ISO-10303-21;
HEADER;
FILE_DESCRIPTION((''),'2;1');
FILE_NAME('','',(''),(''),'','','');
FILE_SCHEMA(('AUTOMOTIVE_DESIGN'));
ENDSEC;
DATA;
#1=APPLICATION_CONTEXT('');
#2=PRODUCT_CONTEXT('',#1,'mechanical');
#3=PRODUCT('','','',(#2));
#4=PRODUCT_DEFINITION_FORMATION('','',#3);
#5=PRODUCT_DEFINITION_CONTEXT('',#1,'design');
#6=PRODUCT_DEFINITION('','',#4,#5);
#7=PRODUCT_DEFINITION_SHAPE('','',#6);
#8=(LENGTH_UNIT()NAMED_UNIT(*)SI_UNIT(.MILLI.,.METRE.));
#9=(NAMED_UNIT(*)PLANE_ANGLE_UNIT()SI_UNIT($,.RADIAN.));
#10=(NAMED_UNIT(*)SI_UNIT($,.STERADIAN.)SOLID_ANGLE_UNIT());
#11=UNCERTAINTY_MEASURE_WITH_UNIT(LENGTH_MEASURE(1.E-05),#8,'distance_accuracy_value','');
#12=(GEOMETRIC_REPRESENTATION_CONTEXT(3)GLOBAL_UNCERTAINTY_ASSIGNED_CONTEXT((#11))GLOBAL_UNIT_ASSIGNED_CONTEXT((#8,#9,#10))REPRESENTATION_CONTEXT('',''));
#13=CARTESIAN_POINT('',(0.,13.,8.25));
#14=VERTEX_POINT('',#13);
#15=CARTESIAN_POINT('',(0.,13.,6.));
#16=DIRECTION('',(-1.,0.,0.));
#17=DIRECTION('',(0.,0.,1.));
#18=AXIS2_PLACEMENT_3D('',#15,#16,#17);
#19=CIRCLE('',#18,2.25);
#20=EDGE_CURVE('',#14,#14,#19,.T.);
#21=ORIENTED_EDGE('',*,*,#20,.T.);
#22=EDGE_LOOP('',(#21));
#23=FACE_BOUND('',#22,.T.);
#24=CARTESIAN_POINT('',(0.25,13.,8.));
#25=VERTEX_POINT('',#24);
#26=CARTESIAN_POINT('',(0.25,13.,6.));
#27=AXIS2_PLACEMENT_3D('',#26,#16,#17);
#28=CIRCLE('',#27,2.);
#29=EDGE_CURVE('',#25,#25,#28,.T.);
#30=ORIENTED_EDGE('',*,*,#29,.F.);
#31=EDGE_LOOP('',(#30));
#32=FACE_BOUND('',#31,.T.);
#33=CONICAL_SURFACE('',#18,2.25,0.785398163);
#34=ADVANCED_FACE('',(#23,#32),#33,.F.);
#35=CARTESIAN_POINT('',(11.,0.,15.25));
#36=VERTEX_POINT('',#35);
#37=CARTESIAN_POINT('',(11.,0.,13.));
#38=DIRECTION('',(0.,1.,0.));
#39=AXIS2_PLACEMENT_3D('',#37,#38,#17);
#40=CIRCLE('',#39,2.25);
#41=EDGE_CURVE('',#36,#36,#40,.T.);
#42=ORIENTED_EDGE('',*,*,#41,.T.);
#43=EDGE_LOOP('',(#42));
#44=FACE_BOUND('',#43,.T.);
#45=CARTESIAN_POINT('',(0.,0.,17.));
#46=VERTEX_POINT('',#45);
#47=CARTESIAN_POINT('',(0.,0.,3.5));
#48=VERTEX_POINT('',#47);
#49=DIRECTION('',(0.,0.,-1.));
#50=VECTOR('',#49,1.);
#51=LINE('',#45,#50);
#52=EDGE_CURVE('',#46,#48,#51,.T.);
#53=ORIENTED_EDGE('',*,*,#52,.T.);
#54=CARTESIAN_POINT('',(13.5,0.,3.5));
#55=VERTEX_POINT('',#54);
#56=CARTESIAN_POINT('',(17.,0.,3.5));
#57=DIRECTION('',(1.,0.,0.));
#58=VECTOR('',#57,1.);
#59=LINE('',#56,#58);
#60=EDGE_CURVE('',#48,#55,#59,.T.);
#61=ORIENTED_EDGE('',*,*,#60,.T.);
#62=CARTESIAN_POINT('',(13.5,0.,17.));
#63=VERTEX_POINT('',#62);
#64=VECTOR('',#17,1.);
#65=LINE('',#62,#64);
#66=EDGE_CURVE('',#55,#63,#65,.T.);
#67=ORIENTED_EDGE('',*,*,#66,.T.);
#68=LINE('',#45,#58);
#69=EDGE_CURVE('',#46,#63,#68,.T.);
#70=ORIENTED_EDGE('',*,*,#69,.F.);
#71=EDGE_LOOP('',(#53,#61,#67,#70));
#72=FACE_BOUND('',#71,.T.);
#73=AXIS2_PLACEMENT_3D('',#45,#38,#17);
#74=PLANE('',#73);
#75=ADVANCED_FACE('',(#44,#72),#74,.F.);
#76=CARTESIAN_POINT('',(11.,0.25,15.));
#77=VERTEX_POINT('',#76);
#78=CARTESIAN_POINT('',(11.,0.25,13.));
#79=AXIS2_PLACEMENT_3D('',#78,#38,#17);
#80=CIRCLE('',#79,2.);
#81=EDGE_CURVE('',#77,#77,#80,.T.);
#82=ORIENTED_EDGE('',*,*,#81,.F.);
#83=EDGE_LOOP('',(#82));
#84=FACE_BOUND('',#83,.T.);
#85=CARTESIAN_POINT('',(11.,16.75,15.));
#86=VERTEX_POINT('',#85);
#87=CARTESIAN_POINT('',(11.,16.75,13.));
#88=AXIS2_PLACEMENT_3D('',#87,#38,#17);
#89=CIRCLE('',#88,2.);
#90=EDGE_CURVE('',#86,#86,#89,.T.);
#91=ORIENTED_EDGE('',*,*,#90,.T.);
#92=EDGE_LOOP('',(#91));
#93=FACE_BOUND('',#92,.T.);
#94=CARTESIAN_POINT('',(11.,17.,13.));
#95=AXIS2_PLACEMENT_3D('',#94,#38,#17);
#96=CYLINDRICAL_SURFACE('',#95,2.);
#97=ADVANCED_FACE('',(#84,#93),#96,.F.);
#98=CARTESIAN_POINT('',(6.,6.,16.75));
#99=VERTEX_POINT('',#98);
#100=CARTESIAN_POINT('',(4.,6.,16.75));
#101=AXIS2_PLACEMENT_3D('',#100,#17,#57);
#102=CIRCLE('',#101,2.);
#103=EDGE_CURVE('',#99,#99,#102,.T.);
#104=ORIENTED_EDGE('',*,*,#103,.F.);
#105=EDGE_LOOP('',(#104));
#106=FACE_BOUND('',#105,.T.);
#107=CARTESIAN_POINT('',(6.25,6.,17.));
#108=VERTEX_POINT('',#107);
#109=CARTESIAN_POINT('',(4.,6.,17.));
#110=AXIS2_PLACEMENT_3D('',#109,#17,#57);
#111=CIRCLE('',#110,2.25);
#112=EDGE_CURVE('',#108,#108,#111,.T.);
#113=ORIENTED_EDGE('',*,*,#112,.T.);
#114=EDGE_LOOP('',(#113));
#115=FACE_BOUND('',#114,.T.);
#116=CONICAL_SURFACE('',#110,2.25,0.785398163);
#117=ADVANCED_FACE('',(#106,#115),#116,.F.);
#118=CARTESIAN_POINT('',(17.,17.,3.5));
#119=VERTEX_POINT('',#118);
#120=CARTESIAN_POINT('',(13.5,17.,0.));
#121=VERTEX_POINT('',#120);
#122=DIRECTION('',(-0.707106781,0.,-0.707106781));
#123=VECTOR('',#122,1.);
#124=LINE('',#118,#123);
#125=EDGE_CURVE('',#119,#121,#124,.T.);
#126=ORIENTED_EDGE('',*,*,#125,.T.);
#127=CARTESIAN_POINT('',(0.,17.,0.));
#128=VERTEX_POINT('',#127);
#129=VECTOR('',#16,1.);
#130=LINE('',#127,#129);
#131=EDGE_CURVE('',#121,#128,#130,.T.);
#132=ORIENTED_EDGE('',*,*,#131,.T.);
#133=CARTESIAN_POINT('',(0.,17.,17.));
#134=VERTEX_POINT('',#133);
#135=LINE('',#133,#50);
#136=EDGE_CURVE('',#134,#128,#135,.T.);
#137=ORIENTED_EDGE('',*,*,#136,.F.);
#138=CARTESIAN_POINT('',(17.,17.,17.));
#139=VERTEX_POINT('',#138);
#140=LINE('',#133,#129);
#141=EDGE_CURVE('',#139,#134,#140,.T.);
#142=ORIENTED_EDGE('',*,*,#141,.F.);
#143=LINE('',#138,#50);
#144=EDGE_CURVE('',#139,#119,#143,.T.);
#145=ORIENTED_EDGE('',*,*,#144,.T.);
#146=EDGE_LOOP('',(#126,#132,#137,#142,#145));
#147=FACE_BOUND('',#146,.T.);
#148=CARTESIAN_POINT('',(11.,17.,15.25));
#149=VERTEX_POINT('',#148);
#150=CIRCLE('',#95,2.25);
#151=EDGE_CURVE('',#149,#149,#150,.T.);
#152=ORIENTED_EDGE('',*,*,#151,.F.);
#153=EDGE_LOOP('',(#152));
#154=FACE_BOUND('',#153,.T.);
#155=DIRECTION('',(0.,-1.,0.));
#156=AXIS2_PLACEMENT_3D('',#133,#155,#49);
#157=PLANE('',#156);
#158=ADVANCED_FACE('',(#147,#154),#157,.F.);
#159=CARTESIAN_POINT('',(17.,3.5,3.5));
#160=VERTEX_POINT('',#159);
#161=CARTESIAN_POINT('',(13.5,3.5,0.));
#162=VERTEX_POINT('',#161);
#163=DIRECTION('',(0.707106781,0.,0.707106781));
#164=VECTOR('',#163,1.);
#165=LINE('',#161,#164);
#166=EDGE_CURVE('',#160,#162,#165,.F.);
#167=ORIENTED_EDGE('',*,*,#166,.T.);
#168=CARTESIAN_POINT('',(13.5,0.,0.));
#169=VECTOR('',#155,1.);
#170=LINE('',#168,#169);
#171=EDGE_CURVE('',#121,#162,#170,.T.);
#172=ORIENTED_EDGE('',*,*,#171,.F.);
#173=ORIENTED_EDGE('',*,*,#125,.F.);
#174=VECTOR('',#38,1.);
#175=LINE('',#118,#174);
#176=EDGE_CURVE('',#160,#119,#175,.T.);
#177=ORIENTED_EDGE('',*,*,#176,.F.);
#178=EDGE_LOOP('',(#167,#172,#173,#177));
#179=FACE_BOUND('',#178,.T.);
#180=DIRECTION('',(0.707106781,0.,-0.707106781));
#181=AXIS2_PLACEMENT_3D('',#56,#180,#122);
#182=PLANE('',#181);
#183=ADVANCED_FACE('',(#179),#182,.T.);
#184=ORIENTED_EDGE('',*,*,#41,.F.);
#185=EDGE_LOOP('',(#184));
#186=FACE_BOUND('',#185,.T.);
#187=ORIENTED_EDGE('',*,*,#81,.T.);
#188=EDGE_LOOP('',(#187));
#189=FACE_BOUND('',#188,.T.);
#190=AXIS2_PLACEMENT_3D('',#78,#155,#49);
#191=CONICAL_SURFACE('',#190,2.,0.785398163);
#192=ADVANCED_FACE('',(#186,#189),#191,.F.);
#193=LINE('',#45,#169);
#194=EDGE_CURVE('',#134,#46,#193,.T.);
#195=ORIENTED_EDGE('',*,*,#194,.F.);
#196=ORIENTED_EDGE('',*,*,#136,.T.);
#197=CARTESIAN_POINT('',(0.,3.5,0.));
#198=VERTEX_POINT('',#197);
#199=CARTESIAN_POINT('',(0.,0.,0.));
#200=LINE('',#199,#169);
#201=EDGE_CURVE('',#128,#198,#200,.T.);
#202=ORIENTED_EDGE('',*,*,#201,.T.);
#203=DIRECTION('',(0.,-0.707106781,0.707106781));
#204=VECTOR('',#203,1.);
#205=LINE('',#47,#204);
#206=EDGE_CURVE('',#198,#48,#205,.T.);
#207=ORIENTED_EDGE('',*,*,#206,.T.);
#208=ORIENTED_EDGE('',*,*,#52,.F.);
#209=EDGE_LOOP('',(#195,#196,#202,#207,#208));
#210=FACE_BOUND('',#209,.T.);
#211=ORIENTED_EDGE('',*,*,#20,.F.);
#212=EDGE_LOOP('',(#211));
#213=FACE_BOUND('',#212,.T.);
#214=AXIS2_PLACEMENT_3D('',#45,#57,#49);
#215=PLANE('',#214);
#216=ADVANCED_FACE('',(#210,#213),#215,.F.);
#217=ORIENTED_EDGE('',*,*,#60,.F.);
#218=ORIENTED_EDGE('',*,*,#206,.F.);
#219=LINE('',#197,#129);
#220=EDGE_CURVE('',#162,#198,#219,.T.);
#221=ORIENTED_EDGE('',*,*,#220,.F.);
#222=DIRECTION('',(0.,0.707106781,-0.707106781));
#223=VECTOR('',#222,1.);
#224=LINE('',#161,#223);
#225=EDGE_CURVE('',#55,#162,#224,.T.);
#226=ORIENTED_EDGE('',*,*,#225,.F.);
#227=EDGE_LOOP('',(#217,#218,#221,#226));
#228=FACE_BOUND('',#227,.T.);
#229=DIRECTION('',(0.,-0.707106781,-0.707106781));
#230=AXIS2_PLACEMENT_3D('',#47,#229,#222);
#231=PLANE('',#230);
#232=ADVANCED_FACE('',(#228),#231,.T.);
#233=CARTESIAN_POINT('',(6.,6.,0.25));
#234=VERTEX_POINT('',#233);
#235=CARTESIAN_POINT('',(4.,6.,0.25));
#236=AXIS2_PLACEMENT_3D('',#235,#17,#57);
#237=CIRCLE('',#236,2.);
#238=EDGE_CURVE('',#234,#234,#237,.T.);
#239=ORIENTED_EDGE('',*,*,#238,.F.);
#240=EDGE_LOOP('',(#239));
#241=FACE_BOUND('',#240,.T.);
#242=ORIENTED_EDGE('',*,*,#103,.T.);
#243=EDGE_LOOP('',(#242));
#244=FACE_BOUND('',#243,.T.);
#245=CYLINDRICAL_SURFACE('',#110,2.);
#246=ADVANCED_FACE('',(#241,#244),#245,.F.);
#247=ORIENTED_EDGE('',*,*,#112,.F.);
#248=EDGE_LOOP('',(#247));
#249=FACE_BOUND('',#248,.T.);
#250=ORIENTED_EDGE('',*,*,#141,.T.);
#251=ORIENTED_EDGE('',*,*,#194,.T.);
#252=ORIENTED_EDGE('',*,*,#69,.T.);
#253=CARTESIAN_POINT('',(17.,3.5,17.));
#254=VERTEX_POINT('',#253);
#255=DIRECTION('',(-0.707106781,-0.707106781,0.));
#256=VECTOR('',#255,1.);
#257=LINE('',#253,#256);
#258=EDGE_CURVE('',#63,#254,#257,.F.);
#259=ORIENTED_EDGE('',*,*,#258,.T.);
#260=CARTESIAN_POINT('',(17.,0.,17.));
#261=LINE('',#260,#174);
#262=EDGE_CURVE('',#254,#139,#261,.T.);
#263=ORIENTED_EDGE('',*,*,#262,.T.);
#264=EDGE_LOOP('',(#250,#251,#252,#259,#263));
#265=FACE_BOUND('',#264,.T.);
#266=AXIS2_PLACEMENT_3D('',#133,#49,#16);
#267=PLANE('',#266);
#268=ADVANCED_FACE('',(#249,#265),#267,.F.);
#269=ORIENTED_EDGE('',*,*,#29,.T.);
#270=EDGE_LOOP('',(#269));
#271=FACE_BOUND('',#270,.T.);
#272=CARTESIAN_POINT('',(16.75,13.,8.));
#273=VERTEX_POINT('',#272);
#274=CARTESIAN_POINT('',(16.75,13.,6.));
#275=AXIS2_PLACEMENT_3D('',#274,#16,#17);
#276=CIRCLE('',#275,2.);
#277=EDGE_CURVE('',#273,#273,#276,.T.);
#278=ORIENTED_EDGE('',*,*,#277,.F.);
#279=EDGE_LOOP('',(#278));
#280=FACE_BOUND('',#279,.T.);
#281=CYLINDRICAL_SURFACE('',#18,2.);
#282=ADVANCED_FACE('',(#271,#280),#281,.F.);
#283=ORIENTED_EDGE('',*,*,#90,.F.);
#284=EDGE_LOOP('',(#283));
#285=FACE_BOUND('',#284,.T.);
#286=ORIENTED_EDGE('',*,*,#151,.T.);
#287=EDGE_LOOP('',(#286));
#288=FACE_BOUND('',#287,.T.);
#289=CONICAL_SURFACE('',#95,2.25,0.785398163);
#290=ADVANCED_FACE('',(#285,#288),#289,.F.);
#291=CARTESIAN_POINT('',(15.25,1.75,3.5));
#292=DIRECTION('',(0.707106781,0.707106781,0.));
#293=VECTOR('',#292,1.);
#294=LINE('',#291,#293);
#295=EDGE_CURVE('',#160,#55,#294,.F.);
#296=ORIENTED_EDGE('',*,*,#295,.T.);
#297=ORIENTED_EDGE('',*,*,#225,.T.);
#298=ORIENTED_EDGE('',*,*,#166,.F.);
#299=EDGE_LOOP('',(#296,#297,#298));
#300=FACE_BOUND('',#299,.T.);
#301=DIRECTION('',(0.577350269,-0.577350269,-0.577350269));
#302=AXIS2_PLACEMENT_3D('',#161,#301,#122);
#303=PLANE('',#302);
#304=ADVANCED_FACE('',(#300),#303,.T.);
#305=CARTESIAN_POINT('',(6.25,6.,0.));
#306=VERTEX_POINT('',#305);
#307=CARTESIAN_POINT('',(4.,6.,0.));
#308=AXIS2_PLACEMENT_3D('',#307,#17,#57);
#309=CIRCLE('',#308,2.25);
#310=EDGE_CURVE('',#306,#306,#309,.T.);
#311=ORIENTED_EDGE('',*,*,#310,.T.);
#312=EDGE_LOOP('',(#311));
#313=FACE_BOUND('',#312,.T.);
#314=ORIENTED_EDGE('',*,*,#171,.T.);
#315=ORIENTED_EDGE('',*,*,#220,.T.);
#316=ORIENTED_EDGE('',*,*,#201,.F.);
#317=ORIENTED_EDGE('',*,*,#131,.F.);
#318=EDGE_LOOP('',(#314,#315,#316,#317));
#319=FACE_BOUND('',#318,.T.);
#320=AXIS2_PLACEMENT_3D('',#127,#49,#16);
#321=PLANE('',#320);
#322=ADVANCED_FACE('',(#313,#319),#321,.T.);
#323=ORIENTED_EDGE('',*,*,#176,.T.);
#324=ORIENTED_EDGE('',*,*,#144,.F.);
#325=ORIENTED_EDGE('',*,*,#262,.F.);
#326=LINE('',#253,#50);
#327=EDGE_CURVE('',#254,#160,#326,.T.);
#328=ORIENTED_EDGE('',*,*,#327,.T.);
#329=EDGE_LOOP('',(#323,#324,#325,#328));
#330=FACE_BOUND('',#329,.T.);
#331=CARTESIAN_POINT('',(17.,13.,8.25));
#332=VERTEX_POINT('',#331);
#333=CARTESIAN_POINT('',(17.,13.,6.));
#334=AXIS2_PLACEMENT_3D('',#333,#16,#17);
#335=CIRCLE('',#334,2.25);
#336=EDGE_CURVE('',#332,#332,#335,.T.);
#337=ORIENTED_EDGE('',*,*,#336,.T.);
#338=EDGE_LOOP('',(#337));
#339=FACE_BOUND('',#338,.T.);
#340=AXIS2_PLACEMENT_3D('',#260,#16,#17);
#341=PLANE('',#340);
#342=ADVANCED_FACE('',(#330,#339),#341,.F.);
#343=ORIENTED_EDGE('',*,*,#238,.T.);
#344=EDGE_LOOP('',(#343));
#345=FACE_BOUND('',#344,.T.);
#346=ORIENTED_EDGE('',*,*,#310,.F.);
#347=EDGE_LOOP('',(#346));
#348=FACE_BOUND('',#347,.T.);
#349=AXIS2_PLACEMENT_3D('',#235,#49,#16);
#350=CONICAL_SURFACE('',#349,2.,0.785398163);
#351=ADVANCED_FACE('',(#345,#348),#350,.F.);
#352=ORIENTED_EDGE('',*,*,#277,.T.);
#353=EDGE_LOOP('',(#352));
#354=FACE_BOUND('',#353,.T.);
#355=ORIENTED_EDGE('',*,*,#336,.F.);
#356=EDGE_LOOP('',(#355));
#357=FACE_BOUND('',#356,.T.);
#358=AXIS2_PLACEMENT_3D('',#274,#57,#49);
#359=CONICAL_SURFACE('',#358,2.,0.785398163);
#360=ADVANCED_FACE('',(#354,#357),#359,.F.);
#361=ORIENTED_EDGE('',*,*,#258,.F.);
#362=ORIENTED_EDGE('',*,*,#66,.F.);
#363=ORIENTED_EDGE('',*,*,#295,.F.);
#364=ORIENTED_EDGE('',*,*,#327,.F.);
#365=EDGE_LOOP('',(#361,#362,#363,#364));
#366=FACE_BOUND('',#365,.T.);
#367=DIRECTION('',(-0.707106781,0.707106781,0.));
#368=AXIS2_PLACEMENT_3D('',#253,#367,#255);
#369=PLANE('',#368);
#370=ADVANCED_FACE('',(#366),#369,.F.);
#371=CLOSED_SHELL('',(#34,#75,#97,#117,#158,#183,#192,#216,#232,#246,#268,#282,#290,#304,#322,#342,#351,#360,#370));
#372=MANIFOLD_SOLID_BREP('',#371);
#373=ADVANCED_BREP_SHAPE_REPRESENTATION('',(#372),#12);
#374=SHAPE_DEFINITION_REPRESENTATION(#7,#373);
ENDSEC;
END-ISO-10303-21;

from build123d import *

# Parameters (mm, degrees)
SKETCH_1_W      = 17
SKETCH_1_H      = 17
EXTRUDE_1_DEPTH = 17
CHAMFER_1_SIZE  = 3.5


with BuildPart() as part:
    # Эскиз1 → Бобышка-Вытянуть1 (new body)
    with BuildSketch(Plane.XY):
        with Locations((8.5, 8.5)):
            Rectangle(SKETCH_1_W, SKETCH_1_H)
    extrude(amount=EXTRUDE_1_DEPTH)

    # Эскиз2 → Отверстие обработанное метчиком M4x0.71 (revolve, cut)
    with BuildSketch(Plane(origin=(11, 17, 13), x_dir=(0, 0, 1), z_dir=(1, 0, 0))):
        Polygon((0, 0), (0, 17), (2.25, 17), (2, 16.75), (2, 0.25), (2.25, 0), align=None)
    revolve(axis=Axis((11, 23.35, 13), (0, -1, 0)), mode=Mode.SUBTRACT)

    # Эскиз2 at point 2 (carried to point 2, square into its face) → Отверстие обработанное метчиком M4x0.71 at 2 (revolve, cut)
    with BuildSketch(Plane(origin=(4, 6, 17), x_dir=(0, -1, 0), z_dir=(1, 0, 0))):
        Polygon((0, 0), (0, 17), (2.25, 17), (2, 16.75), (2, 0.25), (2.25, 0), align=None)
    revolve(axis=Axis((4, 6, 23.35), (0, 0, -1)), mode=Mode.SUBTRACT)

    # Эскиз2 at point 3 (carried to point 3, square into its face) → Отверстие обработанное метчиком M4x0.71 at 3 (revolve, cut)
    with BuildSketch(Plane(origin=(0, 13, 6), x_dir=(0, 0, 1), z_dir=(0, 1, 0))):
        Polygon((0, 0), (0, 17), (2.25, 17), (2, 16.75), (2, 0.25), (2.25, 0), align=None)
    revolve(axis=Axis((-6.35, 13, 6), (1, 0, 0)), mode=Mode.SUBTRACT)

    # Фаска1
    chamfer_1_edges = [part.edges().sort_by_distance(p)[0] for p in [
        (17, 8.5, 0),
        (8.5, 0, 0),
        (17, 0, 8.5),
    ]]
    chamfer(chamfer_1_edges, length=CHAMFER_1_SIZE)


solid = part.part
